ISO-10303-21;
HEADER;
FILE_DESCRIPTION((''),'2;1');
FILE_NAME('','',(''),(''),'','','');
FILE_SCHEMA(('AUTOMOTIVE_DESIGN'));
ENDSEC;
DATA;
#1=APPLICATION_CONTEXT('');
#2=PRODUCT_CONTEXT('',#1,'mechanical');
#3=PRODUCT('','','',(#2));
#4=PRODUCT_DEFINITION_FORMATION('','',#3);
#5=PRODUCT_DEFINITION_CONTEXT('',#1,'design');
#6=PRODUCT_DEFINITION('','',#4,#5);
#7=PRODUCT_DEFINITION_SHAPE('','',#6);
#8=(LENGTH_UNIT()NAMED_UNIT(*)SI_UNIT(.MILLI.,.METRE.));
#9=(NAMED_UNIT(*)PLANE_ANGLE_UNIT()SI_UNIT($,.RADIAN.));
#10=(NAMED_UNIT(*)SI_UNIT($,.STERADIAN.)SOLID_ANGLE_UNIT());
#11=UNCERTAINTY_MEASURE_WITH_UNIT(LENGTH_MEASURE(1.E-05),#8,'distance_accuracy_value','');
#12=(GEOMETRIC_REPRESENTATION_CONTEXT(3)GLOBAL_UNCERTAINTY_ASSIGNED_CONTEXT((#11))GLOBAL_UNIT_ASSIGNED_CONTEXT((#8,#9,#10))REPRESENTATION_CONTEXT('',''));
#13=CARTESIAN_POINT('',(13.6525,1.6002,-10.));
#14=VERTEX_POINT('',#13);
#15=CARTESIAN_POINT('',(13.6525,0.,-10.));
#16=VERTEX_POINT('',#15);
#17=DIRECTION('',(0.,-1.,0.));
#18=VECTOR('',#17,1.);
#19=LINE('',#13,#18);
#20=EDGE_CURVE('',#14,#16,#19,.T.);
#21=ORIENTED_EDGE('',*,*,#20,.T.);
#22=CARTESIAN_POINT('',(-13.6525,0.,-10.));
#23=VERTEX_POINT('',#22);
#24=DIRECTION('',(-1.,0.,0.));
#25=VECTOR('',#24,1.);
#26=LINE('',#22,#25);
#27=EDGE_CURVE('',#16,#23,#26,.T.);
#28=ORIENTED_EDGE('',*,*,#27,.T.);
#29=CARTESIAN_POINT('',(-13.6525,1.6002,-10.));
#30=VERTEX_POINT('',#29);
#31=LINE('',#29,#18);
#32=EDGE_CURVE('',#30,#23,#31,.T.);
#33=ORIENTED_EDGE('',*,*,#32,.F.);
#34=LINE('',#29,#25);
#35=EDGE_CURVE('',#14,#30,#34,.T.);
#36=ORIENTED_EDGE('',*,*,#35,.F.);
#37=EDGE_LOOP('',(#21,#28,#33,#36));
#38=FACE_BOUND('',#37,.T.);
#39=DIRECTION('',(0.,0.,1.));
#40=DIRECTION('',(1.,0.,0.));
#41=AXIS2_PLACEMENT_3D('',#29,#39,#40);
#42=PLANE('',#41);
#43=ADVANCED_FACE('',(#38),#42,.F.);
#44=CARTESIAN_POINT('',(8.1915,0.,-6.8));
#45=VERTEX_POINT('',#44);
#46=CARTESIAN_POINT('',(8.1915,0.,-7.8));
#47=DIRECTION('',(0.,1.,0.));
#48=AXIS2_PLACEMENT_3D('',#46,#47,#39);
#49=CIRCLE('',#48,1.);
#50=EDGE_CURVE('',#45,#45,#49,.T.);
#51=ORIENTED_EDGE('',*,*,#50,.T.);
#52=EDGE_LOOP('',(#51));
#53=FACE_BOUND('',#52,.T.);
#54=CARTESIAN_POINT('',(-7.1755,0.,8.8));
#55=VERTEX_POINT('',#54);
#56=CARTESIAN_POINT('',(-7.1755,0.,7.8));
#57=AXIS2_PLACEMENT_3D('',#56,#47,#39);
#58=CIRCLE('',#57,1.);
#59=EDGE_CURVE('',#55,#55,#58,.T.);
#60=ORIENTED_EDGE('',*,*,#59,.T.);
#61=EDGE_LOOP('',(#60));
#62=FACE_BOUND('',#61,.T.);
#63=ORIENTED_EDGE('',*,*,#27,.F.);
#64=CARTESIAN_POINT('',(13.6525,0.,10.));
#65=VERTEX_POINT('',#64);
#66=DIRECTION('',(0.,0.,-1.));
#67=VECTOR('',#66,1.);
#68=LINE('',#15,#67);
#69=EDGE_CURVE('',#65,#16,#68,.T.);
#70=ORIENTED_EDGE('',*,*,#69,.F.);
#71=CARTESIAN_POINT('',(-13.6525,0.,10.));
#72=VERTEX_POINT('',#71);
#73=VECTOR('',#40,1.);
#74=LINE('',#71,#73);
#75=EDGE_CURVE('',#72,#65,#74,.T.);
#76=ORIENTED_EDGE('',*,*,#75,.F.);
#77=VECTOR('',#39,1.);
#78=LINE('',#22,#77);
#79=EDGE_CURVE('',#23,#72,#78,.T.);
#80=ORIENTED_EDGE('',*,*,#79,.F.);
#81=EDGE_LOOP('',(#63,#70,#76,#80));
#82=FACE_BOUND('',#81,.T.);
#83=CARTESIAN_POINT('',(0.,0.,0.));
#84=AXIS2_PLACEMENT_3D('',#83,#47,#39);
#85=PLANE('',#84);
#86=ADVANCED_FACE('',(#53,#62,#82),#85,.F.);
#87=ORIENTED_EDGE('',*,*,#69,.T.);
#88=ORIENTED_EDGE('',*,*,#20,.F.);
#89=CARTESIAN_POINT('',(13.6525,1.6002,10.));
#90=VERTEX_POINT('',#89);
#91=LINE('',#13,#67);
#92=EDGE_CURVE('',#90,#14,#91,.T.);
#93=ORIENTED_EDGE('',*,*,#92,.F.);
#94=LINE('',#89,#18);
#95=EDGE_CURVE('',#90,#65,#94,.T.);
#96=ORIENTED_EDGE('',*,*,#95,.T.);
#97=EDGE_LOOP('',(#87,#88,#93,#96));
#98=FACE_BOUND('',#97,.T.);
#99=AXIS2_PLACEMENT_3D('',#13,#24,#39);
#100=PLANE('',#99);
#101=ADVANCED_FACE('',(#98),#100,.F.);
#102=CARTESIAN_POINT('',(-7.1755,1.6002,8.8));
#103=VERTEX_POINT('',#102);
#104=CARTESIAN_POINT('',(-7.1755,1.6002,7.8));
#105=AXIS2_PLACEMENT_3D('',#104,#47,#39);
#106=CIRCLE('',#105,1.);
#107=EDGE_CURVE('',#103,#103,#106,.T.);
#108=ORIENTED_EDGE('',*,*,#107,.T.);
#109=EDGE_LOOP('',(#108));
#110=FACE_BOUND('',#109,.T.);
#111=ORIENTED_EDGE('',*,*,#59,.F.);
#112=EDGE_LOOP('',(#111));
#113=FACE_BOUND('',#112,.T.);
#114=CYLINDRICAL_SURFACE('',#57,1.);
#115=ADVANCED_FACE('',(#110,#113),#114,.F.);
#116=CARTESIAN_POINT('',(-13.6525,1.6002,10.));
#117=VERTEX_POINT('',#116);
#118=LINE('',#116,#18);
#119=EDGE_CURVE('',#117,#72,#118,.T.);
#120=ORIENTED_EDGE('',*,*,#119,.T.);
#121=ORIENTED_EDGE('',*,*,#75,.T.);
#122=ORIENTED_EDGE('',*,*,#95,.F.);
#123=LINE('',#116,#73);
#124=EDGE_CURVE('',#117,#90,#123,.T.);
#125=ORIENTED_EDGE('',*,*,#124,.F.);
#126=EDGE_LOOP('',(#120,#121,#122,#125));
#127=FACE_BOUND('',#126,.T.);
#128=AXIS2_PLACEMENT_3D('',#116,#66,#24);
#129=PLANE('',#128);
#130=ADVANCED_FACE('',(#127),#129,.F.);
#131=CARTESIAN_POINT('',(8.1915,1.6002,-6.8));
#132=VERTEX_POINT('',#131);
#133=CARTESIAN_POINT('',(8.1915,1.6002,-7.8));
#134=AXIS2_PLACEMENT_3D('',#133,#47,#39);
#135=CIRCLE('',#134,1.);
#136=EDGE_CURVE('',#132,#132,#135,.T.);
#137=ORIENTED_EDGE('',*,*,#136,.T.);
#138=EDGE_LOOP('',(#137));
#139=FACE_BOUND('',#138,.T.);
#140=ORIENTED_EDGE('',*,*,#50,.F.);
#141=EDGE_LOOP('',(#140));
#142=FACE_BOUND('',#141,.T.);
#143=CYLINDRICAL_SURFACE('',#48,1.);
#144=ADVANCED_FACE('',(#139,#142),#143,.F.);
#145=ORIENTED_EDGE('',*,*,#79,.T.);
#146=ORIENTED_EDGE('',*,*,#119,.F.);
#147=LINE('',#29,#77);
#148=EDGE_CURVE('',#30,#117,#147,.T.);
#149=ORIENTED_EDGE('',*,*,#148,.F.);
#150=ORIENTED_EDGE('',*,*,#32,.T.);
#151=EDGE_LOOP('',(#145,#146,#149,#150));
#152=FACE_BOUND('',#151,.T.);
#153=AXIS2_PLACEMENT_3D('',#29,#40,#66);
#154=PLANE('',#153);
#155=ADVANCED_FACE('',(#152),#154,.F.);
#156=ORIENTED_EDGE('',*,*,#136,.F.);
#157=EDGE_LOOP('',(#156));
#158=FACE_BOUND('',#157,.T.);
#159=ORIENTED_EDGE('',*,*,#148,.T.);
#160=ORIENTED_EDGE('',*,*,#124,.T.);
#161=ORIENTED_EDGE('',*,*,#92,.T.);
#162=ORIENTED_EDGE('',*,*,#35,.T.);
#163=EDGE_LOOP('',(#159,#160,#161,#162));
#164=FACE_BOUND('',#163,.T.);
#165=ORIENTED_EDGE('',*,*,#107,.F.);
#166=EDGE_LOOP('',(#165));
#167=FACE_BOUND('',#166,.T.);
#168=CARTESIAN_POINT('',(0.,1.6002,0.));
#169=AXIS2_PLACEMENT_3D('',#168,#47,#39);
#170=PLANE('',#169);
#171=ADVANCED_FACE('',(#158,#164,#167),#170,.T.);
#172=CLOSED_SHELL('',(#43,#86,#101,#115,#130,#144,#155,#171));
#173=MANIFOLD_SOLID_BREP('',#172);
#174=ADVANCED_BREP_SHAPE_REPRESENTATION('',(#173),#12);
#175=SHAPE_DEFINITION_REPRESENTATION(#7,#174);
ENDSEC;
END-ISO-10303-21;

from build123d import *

# Parameters (mm, degrees)
SKETCH1_W           = 27.305
SKETCH1_H           = 20
BOSS_EXTRUDE1_DEPTH = 1.6002
SKETCH2_R           = 1
CUT_EXTRUDE1_DEPTH  = 1.6002


with BuildPart() as part:
    # Sketch1 → Boss-Extrude1 (new body)
    with BuildSketch(Plane(origin=(0, 0, 0), x_dir=(1, 0, 0), z_dir=(0, 1, 0))):
        Rectangle(SKETCH1_W, SKETCH1_H)
    extrude(amount=BOSS_EXTRUDE1_DEPTH)

    # Sketch2 → Cut-Extrude1 (cut)
    with BuildSketch(Plane(origin=(0, 1.6002, 0), x_dir=(1, 0, 0), z_dir=(0, 1, 0))):
        with Locations((-7.1755, -7.8)):
            Circle(SKETCH2_R)
        with Locations((8.1915, 7.8)):
            Circle(SKETCH2_R)
    extrude(amount=-CUT_EXTRUDE1_DEPTH, mode=Mode.SUBTRACT)


solid = part.part
